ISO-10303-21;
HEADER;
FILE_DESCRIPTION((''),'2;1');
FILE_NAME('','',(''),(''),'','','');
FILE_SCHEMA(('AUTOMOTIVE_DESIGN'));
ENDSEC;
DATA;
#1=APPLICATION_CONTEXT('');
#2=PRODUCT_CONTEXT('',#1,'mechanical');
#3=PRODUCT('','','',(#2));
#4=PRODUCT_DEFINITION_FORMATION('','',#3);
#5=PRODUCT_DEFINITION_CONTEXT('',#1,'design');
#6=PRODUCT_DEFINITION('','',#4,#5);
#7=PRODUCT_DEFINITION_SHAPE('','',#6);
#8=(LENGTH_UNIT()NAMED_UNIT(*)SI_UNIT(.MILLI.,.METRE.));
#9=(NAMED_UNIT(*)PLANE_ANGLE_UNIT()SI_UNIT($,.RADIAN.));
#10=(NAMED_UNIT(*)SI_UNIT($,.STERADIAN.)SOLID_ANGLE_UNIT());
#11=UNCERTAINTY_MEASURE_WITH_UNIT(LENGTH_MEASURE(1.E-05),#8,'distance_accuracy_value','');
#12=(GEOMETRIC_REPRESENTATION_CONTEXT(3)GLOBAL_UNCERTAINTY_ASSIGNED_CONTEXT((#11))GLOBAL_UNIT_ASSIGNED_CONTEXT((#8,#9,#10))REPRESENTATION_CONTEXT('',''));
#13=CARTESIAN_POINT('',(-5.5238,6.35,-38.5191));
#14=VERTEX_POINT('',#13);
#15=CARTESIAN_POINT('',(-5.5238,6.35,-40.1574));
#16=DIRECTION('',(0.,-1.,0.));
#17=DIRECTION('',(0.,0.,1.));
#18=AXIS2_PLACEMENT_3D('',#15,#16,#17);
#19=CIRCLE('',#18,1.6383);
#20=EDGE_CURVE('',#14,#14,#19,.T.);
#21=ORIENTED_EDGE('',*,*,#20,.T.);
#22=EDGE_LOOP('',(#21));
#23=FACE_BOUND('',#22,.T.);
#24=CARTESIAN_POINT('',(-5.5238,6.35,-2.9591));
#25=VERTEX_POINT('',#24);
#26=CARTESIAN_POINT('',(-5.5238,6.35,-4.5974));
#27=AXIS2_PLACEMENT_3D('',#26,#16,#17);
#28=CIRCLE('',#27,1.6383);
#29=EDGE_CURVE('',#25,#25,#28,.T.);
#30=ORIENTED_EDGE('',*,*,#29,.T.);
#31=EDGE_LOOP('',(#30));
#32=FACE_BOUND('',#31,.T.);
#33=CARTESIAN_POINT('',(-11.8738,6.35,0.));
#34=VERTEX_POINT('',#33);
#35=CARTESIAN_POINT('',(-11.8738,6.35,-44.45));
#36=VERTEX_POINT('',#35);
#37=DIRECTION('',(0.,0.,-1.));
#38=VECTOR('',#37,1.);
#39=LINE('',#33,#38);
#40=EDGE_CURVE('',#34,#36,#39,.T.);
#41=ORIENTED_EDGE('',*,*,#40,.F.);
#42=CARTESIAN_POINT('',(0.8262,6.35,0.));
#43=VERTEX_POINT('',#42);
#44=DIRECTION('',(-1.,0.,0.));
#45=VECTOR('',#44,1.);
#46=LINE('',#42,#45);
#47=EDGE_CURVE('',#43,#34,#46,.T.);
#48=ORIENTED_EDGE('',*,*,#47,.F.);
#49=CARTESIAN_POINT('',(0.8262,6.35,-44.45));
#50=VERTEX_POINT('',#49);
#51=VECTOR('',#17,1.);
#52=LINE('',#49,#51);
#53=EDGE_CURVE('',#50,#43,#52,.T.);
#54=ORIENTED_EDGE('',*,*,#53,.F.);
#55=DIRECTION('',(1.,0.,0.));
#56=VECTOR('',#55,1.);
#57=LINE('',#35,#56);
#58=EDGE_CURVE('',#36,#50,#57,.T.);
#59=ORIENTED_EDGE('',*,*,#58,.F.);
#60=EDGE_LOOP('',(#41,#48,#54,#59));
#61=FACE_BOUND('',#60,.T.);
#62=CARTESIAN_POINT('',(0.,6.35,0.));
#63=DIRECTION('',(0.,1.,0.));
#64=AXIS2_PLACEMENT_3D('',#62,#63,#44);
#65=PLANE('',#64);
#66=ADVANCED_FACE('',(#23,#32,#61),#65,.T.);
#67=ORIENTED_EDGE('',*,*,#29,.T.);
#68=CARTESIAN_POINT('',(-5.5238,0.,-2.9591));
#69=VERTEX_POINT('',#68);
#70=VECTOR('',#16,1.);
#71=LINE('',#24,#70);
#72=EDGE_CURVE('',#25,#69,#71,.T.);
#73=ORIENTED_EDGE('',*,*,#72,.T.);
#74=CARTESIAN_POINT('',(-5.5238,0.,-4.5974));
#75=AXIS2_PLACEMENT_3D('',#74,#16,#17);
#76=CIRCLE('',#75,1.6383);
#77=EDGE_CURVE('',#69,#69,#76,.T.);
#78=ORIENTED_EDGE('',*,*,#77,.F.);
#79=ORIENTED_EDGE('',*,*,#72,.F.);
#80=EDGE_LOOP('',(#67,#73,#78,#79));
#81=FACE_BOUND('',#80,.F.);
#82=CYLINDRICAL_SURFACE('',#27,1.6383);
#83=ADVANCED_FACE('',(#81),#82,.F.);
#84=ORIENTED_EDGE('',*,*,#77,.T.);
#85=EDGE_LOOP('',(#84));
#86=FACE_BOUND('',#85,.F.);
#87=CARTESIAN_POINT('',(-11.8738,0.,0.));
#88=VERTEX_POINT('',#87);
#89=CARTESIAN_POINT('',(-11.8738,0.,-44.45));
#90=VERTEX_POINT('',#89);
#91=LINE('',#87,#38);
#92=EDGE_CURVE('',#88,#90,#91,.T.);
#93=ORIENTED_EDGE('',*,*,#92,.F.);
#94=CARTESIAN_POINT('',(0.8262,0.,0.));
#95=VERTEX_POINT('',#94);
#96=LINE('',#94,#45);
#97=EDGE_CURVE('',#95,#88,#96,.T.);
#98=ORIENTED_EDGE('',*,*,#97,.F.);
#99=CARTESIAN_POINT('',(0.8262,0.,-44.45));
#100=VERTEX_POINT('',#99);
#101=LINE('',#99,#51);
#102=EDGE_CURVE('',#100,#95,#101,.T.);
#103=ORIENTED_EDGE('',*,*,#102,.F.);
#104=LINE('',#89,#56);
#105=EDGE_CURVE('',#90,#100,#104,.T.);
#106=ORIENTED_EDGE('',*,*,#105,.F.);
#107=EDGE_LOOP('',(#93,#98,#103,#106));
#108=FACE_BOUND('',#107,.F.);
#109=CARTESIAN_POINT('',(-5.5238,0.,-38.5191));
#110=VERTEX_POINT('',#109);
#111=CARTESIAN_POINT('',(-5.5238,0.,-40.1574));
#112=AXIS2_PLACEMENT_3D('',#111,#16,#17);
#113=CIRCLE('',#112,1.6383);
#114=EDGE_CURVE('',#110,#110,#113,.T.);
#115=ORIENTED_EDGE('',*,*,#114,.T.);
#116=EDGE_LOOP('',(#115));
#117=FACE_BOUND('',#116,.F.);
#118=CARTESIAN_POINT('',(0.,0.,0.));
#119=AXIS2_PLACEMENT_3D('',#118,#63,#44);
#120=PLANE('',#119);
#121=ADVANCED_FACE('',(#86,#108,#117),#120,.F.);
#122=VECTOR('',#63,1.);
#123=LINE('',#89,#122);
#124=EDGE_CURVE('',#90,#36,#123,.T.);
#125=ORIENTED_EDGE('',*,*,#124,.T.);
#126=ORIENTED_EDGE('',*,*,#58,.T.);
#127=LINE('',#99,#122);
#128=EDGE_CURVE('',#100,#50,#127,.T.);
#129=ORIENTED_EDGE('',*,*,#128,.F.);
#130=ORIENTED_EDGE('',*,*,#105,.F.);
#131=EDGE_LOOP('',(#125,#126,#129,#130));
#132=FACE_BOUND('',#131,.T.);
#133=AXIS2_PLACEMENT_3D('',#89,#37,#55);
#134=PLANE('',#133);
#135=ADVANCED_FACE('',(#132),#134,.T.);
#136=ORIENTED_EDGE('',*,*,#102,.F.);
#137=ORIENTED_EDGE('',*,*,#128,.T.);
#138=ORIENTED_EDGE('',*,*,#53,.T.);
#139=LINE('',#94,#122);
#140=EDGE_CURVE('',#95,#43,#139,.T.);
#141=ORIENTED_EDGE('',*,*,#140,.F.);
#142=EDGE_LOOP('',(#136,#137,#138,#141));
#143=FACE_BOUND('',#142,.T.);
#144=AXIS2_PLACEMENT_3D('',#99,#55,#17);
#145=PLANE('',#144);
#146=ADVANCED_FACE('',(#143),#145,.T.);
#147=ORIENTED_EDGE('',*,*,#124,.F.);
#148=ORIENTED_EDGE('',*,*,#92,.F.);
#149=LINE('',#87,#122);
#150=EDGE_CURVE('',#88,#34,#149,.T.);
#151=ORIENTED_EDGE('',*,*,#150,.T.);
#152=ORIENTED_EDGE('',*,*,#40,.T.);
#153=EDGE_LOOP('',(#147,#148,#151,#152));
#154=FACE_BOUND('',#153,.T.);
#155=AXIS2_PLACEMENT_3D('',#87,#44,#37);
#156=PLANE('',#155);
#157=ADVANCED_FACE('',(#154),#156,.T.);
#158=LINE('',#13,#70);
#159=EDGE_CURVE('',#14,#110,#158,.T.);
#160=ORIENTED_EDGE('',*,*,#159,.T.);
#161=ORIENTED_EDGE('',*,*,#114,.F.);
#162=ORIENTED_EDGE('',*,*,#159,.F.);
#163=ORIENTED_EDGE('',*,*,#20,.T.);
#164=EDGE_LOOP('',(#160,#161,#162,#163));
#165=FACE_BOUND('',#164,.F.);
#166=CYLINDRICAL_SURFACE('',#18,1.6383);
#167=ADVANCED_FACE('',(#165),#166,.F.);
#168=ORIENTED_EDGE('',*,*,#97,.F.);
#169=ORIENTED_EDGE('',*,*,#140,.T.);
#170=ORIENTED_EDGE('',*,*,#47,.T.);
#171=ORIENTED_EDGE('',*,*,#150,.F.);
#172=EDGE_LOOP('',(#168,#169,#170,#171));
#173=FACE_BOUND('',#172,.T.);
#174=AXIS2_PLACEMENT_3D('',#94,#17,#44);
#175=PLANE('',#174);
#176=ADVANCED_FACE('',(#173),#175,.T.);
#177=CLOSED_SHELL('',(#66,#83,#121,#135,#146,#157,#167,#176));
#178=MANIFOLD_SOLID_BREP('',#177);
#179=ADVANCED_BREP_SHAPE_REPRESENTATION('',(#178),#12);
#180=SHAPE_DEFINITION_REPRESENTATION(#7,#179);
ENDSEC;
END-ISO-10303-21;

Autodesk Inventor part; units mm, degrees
ref_plane "YZ Plane" through (0, 0, 0) normal (1, 0, 0) x (0, 1, 0)
ref_plane "XZ Plane" through (0, 0, 0) normal (0, 1, 0) x (-1, 0, 0)
ref_plane "XY Plane" through (0, 0, 0) normal (0, 0, 1) x (1, 0, 0)
sketch "Sketch1" plane through (0, 0, 0) normal (0, 1, 0) x (-1, 0, 0)
  line L0 (-0.8262, 0) -> (11.8738, 0)
  line L1 (11.8738, 0) -> (11.8738, -44.45)
  line L2 (11.8738, -44.45) -> (-0.8262, -44.45)
  line L3 (-0.8262, -44.45) -> (-0.8262, 0)
  point P0 (0, 0)
  dimension "d0" = 44.45
  dimension "d1" = 12.7
extrude "Plate1" add sketch "Sketch1" along normal blind 6.35
sketch "Sketch2" plane through (0, 6.35, 0) normal (0, 1, 0) x (1, 0, 0)
  line L0 (0.8262, 0) -> (-11.8738, 0) projected
  line L1 (0.8262, 44.45) -> (0.8262, 0) projected
  point P0 (0, 0)
  point P1 (-5.5238, 4.5974)
  point P2 (-5.5238, 40.1574)
  dimension "d4" = 35.56
  dimension "d5" = 4.5974
  dimension "d6" = 6.35
  dimension "d7" = 6.35
hole "Hole1" at (-5.5238, 6.35, -4.5974) at (-5.5238, 6.35, -40.1574) direction (0, -1, 0) diameter 3.2766 end through all clearance for "Flat Head Machine Screw (82)" size "#4" standard "Ansi Unified Screw Threads"
equation "\"d13\" = Thickness"
equation "\"d2\" = Thickness"
equation "\"BendRadius\" = Thickness"
equation "\"BendReliefWidth\" = Thickness"
equation "\"BendReliefDepth\" = 0.5 * Thickness"
equation "\"CornerReliefSize\" = 4 * Thickness"
equation "\"MinimumRemnant\" = 2 * Thickness"
equation "\"TransitionRadius\" = BendRadius"
equation "\"JacobiRadiusSize\" = BendRadius"
equation "\"GapSize\" = Thickness"
equation "\"Thickness\" = 6.35"
properties part number "servo hold down"
